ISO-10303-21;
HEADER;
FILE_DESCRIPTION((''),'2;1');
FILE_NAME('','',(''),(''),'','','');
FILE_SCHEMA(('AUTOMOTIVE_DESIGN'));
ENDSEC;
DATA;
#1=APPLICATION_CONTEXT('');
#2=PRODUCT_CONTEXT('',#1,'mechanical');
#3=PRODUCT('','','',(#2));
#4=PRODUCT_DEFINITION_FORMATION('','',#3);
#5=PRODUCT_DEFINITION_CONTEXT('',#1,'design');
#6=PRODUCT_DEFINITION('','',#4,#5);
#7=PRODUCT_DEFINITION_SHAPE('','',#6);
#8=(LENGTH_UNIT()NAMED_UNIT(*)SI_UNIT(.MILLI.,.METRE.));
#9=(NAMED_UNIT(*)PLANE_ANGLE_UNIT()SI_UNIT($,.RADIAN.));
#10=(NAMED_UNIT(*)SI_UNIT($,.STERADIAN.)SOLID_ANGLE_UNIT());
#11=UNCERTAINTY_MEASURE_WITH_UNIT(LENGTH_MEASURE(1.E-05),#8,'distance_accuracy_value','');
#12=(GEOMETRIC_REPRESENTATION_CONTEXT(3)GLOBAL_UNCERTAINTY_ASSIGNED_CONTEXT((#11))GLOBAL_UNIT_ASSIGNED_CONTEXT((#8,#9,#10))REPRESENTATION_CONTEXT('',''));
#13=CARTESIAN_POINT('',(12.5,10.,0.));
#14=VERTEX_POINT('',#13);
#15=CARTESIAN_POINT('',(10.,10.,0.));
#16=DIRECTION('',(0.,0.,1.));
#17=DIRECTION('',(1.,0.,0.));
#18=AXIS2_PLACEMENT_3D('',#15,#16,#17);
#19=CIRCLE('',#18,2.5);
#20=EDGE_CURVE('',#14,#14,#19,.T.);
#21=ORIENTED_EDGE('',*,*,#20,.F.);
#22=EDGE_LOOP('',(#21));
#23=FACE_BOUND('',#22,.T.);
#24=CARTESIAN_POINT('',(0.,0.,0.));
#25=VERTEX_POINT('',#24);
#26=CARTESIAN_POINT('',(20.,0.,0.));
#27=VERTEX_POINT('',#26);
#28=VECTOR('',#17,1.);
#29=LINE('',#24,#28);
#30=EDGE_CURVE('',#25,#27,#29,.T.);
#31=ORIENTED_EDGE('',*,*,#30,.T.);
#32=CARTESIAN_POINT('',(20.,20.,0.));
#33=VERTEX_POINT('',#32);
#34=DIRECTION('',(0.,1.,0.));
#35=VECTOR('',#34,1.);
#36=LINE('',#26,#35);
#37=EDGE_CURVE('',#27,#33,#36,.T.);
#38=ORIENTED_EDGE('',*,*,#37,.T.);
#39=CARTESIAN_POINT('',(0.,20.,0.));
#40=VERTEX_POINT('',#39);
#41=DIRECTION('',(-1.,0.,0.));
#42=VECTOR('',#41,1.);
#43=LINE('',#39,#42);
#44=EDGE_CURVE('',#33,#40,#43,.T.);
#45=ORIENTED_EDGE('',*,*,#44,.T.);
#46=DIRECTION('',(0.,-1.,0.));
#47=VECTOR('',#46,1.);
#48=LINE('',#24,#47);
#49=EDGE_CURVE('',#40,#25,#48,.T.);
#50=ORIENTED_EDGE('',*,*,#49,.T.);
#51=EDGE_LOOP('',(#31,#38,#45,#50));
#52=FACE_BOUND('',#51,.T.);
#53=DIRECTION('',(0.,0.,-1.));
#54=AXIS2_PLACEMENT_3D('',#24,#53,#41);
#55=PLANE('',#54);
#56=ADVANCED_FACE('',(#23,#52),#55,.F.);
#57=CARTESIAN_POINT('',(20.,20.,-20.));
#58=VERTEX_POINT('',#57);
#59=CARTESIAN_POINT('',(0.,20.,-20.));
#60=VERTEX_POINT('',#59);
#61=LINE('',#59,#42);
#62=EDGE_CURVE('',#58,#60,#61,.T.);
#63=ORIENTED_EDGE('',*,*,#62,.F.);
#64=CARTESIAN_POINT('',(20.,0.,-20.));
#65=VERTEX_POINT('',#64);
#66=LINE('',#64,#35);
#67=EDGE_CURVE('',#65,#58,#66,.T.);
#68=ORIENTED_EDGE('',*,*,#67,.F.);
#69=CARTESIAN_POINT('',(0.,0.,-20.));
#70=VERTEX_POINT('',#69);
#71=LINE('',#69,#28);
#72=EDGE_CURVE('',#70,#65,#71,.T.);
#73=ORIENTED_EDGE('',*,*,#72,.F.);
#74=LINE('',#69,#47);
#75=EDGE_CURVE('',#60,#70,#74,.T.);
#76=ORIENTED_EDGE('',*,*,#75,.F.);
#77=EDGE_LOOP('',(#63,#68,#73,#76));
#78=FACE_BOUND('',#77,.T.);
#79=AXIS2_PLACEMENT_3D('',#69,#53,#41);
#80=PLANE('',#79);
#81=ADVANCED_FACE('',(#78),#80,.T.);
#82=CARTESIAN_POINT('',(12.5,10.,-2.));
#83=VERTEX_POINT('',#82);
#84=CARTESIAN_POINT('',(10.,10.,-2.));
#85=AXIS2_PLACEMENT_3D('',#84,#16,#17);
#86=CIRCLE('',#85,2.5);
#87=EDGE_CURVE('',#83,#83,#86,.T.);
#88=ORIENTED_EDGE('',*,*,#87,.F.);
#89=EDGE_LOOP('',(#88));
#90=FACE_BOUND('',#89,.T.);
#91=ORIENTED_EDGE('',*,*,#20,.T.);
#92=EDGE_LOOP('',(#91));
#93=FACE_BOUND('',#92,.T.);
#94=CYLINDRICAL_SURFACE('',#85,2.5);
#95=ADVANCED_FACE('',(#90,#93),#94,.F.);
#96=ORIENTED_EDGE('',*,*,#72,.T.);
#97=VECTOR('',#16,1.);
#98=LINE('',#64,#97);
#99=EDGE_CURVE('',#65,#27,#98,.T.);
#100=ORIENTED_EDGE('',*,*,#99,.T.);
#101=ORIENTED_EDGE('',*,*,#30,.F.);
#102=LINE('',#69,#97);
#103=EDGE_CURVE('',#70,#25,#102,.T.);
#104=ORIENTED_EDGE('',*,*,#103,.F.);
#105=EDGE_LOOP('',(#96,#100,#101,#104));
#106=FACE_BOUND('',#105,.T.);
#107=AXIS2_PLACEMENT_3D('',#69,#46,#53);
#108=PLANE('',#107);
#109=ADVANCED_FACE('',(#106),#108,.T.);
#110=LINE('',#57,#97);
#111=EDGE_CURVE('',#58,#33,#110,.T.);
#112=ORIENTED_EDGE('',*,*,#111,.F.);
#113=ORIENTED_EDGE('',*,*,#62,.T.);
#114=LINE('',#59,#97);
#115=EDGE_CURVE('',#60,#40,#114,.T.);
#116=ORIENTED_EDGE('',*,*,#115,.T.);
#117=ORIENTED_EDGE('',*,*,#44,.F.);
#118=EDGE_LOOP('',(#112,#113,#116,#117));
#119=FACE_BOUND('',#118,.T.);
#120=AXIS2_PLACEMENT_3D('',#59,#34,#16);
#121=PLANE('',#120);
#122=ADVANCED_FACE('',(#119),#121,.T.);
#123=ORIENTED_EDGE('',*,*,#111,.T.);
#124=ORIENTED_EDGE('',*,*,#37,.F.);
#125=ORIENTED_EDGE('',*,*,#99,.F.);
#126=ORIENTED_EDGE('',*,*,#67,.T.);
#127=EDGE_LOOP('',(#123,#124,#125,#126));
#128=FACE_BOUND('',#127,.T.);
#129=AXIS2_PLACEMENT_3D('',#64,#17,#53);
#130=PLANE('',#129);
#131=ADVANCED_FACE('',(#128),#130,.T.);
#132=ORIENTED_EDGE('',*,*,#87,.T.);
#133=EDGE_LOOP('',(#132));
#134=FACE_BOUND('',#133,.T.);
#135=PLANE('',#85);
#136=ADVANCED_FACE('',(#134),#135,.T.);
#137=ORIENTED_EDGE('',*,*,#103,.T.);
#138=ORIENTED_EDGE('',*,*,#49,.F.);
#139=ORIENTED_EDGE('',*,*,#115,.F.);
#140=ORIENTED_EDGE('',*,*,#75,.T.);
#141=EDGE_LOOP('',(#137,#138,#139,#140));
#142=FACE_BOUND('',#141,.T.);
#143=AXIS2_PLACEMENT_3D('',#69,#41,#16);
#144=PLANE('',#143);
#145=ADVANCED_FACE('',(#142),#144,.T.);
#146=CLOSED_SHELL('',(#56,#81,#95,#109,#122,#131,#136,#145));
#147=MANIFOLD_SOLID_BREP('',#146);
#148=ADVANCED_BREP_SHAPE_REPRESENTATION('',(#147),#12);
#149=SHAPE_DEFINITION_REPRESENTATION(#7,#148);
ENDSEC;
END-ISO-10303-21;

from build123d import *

# Parameters (mm, degrees)
ESQUISSE1_W             = 20
ESQUISSE1_H             = 20
BOSS_EXTRU_1_DEPTH      = 20
ESQUISSE2_R             = 2.5
ENL_V_MAT_EXTRU_1_DEPTH = 2


with BuildPart() as part:
    # Esquisse1 → Boss.-Extru.1 (new body)
    with BuildSketch(Plane.XY):
        with Locations((10, 10)):
            Rectangle(ESQUISSE1_W, ESQUISSE1_H)
    extrude(amount=-BOSS_EXTRU_1_DEPTH)

    # Esquisse2 → Enlèv. mat.-Extru.1 (cut)
    with BuildSketch(Plane.XY):
        with Locations((10, 10)):
            Circle(ESQUISSE2_R)
    extrude(amount=-ENL_V_MAT_EXTRU_1_DEPTH, mode=Mode.SUBTRACT)


solid = part.part
